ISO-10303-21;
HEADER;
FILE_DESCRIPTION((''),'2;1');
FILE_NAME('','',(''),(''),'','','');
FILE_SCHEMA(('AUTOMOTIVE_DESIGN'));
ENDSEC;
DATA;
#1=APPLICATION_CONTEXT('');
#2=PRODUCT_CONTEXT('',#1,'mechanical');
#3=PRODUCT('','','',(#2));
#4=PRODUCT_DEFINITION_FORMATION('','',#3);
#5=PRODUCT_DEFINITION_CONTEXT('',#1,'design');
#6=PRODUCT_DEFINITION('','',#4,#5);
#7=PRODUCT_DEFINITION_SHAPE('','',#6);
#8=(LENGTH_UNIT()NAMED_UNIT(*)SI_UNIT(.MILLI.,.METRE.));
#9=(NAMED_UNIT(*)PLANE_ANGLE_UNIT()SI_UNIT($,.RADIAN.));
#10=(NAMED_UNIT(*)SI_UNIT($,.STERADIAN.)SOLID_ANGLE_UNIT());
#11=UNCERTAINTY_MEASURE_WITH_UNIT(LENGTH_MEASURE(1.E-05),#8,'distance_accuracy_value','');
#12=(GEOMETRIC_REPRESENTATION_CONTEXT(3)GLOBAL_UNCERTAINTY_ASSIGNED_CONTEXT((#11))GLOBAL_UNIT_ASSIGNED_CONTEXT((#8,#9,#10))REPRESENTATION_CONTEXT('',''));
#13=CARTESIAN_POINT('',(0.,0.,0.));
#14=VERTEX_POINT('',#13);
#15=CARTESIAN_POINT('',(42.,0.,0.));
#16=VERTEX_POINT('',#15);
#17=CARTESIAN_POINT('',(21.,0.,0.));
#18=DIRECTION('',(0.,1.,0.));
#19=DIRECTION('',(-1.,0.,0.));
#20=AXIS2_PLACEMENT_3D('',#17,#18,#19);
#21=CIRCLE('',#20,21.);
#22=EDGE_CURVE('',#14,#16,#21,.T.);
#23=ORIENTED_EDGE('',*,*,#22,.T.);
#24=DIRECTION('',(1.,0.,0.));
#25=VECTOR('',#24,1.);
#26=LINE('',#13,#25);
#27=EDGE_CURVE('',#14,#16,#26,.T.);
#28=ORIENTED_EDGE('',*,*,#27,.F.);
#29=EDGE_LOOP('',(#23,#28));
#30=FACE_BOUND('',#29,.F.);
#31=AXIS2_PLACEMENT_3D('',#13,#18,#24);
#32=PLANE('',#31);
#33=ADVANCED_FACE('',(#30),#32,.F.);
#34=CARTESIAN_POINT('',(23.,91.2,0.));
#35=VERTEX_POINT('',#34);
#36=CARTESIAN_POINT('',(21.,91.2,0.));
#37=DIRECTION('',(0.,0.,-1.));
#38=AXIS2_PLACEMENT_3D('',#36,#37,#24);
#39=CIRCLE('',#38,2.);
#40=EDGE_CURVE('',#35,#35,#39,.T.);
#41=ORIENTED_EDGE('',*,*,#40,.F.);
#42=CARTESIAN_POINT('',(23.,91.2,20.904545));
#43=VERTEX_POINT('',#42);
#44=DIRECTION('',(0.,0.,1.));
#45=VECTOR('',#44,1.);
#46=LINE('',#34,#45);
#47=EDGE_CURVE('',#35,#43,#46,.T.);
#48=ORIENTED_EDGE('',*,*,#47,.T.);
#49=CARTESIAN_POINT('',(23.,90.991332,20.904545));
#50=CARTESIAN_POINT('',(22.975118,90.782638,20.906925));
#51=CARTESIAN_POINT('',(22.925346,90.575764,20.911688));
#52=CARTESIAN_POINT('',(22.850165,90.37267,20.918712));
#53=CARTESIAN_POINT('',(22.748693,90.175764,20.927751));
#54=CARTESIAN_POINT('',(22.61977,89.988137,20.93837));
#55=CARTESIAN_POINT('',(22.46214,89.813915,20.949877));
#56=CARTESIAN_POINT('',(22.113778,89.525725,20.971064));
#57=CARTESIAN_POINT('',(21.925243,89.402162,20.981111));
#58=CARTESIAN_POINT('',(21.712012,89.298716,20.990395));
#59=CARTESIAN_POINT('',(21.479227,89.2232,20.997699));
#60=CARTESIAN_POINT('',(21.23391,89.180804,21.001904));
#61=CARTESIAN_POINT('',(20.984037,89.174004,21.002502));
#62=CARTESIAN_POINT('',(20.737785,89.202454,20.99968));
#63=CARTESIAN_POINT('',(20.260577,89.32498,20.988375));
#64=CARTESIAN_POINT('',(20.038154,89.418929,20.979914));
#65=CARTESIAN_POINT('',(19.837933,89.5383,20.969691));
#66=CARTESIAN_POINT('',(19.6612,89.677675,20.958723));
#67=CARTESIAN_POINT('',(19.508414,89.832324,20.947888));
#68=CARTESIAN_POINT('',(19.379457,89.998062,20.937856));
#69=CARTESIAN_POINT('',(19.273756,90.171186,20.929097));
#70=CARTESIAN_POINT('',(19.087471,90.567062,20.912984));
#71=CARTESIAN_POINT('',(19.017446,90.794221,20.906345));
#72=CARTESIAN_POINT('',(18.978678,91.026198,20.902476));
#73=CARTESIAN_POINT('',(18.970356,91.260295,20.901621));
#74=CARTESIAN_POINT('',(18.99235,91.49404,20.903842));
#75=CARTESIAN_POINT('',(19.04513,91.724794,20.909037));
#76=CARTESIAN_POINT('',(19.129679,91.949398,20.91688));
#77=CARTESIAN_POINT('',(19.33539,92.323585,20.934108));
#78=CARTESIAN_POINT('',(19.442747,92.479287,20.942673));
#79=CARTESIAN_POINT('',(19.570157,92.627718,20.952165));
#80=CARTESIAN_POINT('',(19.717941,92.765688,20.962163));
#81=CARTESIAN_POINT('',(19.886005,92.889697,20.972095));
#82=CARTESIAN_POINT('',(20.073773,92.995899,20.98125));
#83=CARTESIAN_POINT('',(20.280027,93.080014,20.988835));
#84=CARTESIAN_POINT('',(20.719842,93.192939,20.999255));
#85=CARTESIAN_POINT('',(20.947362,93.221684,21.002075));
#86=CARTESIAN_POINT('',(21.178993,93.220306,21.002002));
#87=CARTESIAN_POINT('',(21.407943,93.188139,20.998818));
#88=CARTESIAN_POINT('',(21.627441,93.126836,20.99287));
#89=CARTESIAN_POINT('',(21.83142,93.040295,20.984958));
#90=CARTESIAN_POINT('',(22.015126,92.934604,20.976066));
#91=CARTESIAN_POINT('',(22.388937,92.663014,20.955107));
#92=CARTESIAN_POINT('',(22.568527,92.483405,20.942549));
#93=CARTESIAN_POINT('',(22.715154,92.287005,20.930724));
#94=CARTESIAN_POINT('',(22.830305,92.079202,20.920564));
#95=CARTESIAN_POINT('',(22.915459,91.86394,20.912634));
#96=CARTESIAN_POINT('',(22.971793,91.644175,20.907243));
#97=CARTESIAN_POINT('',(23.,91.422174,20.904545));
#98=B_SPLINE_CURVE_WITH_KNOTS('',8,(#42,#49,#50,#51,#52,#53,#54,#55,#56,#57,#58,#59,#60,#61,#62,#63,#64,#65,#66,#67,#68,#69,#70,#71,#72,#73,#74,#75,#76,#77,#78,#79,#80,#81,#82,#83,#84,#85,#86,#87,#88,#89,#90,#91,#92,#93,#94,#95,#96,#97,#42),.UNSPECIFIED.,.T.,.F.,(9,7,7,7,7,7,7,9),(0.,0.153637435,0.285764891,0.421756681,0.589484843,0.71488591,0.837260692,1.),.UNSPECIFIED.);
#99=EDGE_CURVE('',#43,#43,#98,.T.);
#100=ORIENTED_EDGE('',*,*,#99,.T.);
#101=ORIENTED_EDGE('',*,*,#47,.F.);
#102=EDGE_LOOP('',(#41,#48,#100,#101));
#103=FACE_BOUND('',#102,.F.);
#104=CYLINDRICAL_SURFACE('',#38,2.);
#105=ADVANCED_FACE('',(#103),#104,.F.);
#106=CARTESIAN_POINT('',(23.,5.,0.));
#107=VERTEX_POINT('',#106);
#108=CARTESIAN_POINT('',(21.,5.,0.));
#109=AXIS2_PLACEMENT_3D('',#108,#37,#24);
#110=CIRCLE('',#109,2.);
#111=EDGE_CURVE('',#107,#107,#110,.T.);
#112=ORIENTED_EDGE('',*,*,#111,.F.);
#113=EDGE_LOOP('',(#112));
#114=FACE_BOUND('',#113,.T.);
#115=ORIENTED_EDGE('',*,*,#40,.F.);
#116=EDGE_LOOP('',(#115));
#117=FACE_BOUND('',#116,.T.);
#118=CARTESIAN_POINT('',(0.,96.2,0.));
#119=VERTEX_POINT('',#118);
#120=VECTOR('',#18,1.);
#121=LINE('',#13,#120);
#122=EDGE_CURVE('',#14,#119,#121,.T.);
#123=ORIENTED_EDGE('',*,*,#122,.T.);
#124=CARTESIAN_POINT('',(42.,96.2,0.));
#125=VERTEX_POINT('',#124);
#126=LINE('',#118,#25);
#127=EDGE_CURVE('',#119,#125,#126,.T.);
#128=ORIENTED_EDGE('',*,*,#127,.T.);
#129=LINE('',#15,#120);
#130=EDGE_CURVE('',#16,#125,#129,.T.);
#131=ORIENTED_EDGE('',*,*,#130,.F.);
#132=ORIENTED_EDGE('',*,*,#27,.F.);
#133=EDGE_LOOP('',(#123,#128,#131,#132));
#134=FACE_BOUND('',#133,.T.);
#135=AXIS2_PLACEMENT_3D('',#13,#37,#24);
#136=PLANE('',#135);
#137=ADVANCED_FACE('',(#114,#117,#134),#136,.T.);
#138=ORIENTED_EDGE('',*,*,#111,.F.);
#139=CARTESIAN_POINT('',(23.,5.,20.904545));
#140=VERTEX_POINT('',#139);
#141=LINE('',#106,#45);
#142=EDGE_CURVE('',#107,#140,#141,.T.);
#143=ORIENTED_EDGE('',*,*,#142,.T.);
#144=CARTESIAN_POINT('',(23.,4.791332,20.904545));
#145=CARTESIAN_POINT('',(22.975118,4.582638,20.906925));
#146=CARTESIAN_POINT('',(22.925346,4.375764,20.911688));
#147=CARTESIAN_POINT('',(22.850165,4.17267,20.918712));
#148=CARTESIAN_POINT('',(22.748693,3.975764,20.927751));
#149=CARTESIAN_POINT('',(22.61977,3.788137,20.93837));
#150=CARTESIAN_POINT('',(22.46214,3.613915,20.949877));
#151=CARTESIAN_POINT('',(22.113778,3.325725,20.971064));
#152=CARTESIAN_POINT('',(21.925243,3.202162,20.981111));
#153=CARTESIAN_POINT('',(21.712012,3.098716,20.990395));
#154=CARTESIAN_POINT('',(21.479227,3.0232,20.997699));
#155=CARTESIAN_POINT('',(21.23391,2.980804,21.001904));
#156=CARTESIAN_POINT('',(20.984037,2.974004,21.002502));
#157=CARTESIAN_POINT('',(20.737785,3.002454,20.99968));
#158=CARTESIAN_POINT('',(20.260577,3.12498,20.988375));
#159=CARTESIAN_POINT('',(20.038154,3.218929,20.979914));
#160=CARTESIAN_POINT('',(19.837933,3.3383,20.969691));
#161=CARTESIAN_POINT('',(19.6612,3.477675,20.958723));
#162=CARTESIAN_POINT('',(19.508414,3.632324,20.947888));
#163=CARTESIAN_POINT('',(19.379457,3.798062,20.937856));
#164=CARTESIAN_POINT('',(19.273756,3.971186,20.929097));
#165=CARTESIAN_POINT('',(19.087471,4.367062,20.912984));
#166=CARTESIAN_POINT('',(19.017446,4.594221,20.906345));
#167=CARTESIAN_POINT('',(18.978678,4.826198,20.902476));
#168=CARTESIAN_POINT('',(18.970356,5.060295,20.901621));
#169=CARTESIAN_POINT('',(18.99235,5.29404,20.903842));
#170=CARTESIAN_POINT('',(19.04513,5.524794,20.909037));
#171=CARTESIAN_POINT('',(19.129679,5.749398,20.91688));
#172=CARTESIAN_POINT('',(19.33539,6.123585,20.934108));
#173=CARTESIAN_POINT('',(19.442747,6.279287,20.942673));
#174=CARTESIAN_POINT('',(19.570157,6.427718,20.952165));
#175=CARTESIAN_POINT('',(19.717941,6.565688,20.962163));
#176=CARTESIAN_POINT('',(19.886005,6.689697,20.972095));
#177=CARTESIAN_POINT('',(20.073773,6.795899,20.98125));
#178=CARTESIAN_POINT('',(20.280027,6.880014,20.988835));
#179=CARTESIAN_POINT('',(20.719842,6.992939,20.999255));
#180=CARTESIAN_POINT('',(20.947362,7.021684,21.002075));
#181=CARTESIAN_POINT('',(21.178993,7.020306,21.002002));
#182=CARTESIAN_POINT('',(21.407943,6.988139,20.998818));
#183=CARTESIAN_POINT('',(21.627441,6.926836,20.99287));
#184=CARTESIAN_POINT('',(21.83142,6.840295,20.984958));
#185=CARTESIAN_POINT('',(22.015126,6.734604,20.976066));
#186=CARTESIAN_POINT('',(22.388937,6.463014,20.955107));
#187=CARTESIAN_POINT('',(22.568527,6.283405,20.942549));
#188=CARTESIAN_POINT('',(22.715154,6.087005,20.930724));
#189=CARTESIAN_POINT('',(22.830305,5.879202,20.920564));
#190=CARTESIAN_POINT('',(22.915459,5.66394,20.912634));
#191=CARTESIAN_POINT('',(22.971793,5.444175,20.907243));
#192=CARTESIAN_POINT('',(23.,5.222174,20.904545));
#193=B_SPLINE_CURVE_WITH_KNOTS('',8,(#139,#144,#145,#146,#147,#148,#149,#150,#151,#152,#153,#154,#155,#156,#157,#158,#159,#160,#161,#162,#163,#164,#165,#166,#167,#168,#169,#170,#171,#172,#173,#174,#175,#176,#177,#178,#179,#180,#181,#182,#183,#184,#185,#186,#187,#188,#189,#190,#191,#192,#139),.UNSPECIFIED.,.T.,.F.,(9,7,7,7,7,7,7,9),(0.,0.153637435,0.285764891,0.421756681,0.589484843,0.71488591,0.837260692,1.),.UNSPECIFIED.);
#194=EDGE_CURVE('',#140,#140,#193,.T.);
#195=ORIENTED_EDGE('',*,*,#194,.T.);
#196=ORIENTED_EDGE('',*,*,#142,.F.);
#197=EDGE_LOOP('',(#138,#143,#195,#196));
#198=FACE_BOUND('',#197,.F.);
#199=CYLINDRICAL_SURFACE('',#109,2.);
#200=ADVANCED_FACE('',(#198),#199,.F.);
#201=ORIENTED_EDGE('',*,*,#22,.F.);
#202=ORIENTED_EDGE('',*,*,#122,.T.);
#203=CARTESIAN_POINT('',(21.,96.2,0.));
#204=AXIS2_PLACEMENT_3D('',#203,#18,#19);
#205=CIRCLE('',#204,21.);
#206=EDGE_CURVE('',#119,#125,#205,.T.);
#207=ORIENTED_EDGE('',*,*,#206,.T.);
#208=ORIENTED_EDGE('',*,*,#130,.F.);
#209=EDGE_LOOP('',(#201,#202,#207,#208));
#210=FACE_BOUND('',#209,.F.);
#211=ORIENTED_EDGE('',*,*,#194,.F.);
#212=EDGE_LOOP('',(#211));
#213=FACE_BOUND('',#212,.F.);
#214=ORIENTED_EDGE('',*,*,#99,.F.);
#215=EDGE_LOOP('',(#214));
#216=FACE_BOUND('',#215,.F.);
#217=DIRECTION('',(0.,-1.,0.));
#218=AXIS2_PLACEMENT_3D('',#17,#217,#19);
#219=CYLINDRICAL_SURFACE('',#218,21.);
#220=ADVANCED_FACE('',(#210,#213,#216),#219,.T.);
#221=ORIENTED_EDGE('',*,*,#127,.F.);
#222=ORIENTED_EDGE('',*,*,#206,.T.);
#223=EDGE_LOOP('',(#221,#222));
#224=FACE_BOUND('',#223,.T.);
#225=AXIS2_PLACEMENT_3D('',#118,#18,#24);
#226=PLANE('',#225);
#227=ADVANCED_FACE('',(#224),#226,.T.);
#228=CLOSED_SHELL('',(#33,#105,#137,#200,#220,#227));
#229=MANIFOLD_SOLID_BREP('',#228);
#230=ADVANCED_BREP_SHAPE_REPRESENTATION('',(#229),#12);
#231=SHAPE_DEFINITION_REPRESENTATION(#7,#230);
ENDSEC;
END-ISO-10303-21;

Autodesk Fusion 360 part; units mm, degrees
sketch "Sketch1" plane through (0, 0, 0) normal (0, 1, 0) x (1, 0, 0)
  line L0 (0, 0) -> (42, 0)
  arc A0 (0, 0) -> (42, 0) centre (21, 0) ccw
  dimension "d1" = 42
extrude "Extrude1" add sketch "Sketch1" along normal blind 96.2
sketch "Sketch2" plane through (0, 0, 0) normal (0, 0, -1) x (1, 0, 0)
  line L0 (42, 0) -> (0, 0)
  line L1 (0, 0) -> (0, -96.2)
  line L2 (0, -96.2) -> (42, -96.2)
  line L3 (42, -96.2) -> (42, 0)
  circle A0 centre (21, -5) radius 2
  circle A1 centre (21, -91.2) radius 2
  dimension "d6" = 4
  dimension "d7" = 4
  dimension "d10" = 5
  dimension "d11" = 5
extrude "Extrude2" cut sketch "Sketch2" against normal blind 26.592 contours A0 | A1
